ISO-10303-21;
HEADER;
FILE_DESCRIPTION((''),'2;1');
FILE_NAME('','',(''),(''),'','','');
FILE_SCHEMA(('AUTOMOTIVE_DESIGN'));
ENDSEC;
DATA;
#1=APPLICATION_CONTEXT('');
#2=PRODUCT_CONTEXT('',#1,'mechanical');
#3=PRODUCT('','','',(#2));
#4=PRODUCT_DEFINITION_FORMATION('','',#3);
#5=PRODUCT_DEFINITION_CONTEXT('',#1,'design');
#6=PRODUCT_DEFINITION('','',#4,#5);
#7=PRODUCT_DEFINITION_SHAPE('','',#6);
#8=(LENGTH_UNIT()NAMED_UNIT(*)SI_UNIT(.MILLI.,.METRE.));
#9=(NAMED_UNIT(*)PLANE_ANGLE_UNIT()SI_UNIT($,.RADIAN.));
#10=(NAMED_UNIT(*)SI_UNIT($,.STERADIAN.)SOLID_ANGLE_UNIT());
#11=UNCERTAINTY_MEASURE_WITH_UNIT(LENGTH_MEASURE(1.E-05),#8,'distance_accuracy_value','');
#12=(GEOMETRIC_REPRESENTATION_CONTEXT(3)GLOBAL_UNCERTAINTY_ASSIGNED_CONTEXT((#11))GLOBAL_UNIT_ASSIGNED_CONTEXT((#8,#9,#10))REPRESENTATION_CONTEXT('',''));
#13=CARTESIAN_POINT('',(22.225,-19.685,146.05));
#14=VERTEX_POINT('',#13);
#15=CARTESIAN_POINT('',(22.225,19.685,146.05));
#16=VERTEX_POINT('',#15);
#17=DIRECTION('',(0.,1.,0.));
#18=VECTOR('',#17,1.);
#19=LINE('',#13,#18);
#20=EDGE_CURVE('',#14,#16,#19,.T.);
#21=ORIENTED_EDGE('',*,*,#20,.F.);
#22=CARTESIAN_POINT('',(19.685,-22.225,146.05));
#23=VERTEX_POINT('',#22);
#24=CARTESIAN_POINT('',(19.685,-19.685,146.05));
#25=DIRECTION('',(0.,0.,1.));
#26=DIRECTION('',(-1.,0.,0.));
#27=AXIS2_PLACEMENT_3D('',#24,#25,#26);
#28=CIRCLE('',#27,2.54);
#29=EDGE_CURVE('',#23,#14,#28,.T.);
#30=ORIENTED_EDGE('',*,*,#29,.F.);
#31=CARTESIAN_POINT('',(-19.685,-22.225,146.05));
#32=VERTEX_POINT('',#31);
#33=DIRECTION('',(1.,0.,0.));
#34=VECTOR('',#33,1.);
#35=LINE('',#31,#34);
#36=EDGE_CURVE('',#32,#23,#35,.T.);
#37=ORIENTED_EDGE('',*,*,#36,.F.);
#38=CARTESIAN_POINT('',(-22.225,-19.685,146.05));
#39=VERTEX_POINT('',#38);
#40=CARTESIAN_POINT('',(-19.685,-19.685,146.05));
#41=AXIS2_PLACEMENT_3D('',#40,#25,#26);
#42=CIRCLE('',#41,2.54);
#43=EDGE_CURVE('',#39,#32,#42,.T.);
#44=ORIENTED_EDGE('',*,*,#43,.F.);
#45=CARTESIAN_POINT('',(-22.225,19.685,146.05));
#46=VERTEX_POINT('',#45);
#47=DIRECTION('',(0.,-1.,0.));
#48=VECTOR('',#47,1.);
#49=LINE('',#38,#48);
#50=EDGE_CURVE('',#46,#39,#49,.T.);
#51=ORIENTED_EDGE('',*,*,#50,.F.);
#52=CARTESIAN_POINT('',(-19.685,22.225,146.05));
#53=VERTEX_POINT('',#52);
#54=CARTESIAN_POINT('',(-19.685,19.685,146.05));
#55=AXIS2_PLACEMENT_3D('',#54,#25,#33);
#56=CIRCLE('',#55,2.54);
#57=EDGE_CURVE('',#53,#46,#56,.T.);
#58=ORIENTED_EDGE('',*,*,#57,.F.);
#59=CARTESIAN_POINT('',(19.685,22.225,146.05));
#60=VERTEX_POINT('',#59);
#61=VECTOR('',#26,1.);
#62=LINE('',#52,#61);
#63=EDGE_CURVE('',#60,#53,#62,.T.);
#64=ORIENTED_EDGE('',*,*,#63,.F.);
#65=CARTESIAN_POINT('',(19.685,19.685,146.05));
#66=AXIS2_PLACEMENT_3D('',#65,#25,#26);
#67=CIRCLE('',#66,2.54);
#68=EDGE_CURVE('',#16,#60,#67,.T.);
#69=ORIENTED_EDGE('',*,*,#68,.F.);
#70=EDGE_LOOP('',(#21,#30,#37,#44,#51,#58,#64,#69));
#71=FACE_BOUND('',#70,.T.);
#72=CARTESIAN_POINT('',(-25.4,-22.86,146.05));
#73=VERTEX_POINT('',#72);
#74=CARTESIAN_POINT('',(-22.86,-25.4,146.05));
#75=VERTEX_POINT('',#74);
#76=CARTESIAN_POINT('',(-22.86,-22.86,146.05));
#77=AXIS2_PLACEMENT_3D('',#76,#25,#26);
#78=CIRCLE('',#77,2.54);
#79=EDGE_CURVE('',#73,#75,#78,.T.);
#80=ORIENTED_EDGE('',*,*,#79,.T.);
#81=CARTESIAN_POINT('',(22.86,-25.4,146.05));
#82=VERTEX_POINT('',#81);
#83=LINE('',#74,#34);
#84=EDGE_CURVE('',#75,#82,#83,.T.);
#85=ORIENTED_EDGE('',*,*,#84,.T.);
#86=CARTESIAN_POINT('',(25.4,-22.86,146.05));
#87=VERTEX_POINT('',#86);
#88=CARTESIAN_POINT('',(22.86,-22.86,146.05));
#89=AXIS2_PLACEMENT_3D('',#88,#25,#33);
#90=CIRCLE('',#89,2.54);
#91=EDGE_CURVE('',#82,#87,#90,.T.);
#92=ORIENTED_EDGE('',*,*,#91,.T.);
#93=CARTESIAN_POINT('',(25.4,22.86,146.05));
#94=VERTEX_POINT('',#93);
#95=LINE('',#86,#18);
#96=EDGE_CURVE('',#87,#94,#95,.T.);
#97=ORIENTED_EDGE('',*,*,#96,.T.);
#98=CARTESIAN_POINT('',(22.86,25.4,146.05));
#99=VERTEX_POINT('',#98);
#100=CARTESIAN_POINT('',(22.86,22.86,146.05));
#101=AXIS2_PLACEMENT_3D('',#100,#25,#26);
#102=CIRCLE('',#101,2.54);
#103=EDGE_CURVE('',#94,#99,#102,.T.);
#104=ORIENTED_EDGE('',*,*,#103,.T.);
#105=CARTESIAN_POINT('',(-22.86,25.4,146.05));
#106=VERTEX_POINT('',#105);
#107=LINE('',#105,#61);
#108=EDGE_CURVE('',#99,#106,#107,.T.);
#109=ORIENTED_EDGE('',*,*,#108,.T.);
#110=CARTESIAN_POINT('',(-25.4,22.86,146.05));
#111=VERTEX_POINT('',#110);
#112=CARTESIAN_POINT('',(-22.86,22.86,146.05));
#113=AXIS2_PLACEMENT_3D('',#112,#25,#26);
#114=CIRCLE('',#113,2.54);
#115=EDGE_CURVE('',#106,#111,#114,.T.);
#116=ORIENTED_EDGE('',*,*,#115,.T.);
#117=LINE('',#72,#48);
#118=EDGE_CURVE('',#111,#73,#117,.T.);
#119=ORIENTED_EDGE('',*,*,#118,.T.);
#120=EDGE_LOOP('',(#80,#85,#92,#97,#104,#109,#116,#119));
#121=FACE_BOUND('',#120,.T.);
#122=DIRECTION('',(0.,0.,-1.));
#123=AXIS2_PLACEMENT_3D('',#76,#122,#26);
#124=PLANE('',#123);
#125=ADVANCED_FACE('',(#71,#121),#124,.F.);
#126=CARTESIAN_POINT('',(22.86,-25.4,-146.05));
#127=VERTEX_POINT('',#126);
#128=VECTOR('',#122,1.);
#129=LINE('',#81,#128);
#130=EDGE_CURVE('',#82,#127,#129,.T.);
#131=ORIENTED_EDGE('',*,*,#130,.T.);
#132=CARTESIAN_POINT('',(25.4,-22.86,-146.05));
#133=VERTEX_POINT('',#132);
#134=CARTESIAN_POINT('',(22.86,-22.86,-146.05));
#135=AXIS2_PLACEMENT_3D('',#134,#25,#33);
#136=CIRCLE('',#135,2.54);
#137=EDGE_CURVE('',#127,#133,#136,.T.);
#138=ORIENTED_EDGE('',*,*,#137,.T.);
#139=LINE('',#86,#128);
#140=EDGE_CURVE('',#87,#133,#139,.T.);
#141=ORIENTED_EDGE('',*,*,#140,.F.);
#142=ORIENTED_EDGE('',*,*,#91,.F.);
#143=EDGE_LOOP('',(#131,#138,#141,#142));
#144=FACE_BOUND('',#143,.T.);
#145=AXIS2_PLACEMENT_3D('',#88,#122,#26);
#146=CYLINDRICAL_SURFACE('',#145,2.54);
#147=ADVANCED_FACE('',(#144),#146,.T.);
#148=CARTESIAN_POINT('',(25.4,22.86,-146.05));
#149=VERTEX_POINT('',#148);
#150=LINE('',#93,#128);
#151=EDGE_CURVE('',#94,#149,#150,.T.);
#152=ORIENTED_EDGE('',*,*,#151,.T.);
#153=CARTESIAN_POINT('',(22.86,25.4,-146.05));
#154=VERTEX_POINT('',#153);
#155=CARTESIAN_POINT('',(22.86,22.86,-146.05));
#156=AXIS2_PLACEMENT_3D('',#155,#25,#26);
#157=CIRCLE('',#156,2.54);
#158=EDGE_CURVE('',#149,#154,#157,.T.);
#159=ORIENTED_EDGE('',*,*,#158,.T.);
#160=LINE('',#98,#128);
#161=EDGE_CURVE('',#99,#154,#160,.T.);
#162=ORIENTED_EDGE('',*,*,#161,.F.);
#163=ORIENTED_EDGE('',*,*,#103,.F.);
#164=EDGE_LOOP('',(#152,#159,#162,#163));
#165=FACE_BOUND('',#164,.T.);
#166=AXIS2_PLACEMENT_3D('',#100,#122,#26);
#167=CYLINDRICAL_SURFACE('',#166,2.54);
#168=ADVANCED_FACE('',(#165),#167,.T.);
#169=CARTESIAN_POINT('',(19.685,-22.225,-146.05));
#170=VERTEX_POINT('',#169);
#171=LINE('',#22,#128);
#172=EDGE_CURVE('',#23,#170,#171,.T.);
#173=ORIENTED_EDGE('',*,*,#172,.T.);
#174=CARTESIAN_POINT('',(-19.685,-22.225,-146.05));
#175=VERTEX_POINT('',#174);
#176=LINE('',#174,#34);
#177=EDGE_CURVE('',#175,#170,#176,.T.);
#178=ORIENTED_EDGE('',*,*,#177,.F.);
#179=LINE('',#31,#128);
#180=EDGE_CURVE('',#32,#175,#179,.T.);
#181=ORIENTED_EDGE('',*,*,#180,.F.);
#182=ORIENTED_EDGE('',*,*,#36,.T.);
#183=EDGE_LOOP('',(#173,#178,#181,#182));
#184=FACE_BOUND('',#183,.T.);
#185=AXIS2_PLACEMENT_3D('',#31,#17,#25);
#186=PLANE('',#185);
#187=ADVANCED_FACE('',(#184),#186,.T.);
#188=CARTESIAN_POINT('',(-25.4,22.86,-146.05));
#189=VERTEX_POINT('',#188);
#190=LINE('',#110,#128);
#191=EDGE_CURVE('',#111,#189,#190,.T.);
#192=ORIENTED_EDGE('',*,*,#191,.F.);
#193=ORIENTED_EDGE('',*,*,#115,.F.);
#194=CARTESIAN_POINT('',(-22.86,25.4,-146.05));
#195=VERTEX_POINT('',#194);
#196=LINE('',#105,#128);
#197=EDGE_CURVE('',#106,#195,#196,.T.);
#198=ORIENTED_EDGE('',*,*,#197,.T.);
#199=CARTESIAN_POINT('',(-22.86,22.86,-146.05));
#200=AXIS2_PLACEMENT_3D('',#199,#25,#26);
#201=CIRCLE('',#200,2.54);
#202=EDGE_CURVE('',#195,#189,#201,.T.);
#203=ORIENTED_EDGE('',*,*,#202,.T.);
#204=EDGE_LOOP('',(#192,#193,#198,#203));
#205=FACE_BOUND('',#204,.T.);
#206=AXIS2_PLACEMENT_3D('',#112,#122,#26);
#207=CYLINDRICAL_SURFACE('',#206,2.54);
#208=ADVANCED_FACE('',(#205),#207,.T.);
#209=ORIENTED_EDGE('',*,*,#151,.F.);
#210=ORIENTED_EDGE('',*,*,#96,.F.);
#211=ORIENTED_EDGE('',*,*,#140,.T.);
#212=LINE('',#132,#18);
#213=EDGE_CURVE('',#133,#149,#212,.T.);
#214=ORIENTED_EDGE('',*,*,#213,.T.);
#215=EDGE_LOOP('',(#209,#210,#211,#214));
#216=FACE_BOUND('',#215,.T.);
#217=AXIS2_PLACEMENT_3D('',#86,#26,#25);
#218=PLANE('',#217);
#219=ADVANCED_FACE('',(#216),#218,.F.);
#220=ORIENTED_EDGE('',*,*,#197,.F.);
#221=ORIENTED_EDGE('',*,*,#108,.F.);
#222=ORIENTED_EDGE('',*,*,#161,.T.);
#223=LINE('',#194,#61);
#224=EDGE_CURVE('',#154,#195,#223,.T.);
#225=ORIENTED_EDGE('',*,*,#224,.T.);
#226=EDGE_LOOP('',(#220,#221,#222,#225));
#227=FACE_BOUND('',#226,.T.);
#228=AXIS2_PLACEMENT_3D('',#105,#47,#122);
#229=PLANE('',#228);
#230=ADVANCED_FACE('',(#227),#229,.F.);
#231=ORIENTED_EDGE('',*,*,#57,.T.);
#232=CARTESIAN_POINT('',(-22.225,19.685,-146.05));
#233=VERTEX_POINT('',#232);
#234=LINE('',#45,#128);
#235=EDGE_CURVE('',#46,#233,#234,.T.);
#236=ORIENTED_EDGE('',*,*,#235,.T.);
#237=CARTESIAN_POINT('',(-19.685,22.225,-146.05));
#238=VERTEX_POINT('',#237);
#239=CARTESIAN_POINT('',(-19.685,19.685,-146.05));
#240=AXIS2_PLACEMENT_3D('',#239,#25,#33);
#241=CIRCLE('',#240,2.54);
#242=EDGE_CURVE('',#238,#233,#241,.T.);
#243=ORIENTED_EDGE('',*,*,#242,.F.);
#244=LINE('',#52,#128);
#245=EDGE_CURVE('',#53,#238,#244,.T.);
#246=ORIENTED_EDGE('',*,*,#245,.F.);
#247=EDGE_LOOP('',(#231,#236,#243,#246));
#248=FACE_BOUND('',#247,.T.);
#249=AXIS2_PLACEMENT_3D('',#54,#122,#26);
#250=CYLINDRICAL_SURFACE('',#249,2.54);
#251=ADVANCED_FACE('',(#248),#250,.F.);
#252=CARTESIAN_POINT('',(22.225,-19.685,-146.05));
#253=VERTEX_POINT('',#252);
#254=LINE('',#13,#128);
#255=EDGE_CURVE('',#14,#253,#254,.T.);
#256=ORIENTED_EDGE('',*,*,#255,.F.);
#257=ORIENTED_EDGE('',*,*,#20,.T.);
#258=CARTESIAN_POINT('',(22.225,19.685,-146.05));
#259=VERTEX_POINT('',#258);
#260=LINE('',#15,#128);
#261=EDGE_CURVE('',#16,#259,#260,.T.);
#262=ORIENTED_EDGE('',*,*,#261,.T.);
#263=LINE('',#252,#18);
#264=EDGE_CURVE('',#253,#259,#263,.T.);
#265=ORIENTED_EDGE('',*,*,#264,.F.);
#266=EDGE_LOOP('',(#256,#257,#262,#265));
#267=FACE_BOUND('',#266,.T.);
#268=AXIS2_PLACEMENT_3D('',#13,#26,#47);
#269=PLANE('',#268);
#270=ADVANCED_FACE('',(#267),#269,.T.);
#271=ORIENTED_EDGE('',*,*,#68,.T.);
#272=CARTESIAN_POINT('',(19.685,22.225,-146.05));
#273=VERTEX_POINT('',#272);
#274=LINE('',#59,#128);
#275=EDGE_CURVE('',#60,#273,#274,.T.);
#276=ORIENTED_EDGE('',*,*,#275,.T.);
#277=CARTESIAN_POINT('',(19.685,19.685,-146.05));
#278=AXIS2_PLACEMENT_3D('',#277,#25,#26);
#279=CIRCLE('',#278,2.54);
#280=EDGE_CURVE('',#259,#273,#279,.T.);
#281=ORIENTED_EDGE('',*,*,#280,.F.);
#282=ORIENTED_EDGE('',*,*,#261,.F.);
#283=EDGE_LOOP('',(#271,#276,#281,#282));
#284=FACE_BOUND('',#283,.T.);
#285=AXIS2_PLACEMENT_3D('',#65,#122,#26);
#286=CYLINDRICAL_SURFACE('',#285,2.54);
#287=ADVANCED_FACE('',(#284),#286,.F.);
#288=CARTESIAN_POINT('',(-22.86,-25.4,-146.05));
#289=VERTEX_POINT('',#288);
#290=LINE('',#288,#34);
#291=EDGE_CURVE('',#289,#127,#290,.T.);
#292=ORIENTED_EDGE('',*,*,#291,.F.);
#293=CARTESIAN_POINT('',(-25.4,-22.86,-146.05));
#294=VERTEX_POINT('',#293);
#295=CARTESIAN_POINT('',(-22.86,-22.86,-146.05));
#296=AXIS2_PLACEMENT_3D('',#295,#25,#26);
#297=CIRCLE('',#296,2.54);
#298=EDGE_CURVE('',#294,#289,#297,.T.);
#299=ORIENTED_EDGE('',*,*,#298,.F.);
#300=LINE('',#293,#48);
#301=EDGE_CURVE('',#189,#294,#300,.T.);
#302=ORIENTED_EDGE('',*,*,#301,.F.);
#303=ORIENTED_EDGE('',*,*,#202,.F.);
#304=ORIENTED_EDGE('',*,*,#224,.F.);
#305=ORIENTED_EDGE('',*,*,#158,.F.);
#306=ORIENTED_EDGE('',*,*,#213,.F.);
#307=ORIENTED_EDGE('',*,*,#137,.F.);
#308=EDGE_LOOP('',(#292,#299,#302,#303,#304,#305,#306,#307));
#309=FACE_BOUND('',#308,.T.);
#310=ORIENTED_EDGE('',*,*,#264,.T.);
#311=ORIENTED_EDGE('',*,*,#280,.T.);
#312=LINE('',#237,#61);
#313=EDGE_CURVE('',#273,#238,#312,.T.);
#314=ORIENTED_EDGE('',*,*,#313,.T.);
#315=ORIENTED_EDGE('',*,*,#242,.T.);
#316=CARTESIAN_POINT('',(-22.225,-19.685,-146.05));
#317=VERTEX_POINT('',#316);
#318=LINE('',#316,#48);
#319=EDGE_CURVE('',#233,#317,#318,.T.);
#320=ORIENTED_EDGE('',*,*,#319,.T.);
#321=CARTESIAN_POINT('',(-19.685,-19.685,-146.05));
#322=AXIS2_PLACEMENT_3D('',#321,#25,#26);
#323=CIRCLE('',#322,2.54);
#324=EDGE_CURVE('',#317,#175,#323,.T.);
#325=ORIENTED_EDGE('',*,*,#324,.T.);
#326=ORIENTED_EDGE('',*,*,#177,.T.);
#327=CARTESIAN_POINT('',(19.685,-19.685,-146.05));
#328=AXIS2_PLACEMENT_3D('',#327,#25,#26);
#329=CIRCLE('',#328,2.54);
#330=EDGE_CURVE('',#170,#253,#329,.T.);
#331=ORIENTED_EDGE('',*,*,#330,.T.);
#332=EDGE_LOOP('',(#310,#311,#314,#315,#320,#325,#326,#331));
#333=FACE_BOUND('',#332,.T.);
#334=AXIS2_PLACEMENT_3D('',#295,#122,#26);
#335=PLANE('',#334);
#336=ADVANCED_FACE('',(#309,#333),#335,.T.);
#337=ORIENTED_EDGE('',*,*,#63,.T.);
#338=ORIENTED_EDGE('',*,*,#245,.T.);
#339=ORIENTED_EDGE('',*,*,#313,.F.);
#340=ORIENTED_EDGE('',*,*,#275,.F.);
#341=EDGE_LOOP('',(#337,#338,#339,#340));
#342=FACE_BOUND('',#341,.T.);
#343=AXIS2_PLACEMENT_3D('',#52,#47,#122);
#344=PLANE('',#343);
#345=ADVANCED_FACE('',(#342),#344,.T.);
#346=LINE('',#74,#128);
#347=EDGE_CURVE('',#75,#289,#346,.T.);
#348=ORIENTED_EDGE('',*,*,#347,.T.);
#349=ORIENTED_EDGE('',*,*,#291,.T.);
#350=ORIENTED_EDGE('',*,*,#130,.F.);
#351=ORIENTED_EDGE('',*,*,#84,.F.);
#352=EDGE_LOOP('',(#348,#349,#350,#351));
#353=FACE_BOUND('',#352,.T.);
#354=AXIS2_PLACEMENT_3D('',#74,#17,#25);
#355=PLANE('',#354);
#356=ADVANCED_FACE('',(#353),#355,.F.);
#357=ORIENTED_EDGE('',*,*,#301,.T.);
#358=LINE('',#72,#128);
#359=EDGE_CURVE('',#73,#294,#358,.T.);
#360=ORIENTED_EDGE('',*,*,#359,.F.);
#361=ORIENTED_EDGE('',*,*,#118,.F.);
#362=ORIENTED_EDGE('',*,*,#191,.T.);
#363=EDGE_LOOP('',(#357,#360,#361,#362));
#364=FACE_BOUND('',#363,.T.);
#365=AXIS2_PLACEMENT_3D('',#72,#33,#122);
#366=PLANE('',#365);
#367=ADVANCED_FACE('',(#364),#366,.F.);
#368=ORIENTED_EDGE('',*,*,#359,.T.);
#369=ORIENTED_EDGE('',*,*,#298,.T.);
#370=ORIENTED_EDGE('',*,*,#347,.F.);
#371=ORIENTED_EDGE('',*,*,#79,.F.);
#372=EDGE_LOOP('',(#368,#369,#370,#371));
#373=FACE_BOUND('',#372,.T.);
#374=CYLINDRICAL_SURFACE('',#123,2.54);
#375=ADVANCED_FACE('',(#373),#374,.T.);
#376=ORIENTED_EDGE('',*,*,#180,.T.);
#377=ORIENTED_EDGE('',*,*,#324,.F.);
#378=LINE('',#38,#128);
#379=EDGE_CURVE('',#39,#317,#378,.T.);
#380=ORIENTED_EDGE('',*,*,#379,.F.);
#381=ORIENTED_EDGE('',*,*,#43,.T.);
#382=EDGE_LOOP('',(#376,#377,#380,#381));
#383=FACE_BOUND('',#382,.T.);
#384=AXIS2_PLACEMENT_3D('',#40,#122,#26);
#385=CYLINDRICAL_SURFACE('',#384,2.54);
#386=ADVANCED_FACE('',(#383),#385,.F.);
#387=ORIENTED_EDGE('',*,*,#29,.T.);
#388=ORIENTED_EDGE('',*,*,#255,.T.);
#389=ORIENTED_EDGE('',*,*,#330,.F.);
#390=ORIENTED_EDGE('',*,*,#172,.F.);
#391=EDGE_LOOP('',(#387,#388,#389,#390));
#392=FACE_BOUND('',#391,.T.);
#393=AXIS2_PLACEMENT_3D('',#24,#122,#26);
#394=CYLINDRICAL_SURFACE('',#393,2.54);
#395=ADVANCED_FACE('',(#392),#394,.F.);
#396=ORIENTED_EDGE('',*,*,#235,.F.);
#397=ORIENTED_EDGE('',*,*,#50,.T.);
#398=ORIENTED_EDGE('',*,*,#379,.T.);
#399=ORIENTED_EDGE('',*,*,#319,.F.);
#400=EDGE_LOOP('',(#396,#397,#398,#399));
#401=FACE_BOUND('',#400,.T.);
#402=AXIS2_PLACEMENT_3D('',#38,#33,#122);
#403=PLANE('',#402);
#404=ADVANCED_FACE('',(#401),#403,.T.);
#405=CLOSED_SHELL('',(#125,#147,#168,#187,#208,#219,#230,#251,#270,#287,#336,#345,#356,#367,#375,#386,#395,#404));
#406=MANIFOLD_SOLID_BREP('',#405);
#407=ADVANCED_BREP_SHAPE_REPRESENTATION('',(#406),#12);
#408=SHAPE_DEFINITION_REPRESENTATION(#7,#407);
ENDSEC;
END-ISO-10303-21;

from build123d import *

# Parameters (mm, degrees)
BOSS_EXTRUDE1_DEPTH = 146.05


with BuildPart() as part:
    # Sketch1 → Boss-Extrude1 (new, symmetric)
    with BuildSketch(Plane.XY):
        with BuildLine():
            Line((-22.86, -25.4), (22.86, -25.4))
            ThreePointArc((22.86, -25.4), (24.656051224, -24.656051224), (25.4, -22.86))
            Line((25.4, -22.86), (25.4, 22.86))
            ThreePointArc((25.4, 22.86), (24.656051224, 24.656051224), (22.86, 25.4))
            Line((22.86, 25.4), (-22.86, 25.4))
            ThreePointArc((-22.86, 25.4), (-24.656051224, 24.656051224), (-25.4, 22.86))
            Line((-25.4, 22.86), (-25.4, -22.86))
            ThreePointArc((-25.4, -22.86), (-24.656051224, -24.656051224), (-22.86, -25.4))
        make_face()
        with BuildLine():
            Line((-19.685, 22.225), (19.685, 22.225))
            ThreePointArc((19.685, 22.225), (21.481051224, 21.481051224), (22.225, 19.685))
            Line((22.225, 19.685), (22.225, -19.685))
            ThreePointArc((22.225, -19.685), (21.481051224, -21.481051224), (19.685, -22.225))
            Line((19.685, -22.225), (-19.685, -22.225))
            ThreePointArc((-19.685, -22.225), (-21.481051224, -21.481051224), (-22.225, -19.685))
            Line((-22.225, -19.685), (-22.225, 19.685))
            ThreePointArc((-22.225, 19.685), (-21.481051224, 21.481051224), (-19.685, 22.225))
        make_face(mode=Mode.SUBTRACT)
    extrude(amount=BOSS_EXTRUDE1_DEPTH, both=True)


solid = part.part
